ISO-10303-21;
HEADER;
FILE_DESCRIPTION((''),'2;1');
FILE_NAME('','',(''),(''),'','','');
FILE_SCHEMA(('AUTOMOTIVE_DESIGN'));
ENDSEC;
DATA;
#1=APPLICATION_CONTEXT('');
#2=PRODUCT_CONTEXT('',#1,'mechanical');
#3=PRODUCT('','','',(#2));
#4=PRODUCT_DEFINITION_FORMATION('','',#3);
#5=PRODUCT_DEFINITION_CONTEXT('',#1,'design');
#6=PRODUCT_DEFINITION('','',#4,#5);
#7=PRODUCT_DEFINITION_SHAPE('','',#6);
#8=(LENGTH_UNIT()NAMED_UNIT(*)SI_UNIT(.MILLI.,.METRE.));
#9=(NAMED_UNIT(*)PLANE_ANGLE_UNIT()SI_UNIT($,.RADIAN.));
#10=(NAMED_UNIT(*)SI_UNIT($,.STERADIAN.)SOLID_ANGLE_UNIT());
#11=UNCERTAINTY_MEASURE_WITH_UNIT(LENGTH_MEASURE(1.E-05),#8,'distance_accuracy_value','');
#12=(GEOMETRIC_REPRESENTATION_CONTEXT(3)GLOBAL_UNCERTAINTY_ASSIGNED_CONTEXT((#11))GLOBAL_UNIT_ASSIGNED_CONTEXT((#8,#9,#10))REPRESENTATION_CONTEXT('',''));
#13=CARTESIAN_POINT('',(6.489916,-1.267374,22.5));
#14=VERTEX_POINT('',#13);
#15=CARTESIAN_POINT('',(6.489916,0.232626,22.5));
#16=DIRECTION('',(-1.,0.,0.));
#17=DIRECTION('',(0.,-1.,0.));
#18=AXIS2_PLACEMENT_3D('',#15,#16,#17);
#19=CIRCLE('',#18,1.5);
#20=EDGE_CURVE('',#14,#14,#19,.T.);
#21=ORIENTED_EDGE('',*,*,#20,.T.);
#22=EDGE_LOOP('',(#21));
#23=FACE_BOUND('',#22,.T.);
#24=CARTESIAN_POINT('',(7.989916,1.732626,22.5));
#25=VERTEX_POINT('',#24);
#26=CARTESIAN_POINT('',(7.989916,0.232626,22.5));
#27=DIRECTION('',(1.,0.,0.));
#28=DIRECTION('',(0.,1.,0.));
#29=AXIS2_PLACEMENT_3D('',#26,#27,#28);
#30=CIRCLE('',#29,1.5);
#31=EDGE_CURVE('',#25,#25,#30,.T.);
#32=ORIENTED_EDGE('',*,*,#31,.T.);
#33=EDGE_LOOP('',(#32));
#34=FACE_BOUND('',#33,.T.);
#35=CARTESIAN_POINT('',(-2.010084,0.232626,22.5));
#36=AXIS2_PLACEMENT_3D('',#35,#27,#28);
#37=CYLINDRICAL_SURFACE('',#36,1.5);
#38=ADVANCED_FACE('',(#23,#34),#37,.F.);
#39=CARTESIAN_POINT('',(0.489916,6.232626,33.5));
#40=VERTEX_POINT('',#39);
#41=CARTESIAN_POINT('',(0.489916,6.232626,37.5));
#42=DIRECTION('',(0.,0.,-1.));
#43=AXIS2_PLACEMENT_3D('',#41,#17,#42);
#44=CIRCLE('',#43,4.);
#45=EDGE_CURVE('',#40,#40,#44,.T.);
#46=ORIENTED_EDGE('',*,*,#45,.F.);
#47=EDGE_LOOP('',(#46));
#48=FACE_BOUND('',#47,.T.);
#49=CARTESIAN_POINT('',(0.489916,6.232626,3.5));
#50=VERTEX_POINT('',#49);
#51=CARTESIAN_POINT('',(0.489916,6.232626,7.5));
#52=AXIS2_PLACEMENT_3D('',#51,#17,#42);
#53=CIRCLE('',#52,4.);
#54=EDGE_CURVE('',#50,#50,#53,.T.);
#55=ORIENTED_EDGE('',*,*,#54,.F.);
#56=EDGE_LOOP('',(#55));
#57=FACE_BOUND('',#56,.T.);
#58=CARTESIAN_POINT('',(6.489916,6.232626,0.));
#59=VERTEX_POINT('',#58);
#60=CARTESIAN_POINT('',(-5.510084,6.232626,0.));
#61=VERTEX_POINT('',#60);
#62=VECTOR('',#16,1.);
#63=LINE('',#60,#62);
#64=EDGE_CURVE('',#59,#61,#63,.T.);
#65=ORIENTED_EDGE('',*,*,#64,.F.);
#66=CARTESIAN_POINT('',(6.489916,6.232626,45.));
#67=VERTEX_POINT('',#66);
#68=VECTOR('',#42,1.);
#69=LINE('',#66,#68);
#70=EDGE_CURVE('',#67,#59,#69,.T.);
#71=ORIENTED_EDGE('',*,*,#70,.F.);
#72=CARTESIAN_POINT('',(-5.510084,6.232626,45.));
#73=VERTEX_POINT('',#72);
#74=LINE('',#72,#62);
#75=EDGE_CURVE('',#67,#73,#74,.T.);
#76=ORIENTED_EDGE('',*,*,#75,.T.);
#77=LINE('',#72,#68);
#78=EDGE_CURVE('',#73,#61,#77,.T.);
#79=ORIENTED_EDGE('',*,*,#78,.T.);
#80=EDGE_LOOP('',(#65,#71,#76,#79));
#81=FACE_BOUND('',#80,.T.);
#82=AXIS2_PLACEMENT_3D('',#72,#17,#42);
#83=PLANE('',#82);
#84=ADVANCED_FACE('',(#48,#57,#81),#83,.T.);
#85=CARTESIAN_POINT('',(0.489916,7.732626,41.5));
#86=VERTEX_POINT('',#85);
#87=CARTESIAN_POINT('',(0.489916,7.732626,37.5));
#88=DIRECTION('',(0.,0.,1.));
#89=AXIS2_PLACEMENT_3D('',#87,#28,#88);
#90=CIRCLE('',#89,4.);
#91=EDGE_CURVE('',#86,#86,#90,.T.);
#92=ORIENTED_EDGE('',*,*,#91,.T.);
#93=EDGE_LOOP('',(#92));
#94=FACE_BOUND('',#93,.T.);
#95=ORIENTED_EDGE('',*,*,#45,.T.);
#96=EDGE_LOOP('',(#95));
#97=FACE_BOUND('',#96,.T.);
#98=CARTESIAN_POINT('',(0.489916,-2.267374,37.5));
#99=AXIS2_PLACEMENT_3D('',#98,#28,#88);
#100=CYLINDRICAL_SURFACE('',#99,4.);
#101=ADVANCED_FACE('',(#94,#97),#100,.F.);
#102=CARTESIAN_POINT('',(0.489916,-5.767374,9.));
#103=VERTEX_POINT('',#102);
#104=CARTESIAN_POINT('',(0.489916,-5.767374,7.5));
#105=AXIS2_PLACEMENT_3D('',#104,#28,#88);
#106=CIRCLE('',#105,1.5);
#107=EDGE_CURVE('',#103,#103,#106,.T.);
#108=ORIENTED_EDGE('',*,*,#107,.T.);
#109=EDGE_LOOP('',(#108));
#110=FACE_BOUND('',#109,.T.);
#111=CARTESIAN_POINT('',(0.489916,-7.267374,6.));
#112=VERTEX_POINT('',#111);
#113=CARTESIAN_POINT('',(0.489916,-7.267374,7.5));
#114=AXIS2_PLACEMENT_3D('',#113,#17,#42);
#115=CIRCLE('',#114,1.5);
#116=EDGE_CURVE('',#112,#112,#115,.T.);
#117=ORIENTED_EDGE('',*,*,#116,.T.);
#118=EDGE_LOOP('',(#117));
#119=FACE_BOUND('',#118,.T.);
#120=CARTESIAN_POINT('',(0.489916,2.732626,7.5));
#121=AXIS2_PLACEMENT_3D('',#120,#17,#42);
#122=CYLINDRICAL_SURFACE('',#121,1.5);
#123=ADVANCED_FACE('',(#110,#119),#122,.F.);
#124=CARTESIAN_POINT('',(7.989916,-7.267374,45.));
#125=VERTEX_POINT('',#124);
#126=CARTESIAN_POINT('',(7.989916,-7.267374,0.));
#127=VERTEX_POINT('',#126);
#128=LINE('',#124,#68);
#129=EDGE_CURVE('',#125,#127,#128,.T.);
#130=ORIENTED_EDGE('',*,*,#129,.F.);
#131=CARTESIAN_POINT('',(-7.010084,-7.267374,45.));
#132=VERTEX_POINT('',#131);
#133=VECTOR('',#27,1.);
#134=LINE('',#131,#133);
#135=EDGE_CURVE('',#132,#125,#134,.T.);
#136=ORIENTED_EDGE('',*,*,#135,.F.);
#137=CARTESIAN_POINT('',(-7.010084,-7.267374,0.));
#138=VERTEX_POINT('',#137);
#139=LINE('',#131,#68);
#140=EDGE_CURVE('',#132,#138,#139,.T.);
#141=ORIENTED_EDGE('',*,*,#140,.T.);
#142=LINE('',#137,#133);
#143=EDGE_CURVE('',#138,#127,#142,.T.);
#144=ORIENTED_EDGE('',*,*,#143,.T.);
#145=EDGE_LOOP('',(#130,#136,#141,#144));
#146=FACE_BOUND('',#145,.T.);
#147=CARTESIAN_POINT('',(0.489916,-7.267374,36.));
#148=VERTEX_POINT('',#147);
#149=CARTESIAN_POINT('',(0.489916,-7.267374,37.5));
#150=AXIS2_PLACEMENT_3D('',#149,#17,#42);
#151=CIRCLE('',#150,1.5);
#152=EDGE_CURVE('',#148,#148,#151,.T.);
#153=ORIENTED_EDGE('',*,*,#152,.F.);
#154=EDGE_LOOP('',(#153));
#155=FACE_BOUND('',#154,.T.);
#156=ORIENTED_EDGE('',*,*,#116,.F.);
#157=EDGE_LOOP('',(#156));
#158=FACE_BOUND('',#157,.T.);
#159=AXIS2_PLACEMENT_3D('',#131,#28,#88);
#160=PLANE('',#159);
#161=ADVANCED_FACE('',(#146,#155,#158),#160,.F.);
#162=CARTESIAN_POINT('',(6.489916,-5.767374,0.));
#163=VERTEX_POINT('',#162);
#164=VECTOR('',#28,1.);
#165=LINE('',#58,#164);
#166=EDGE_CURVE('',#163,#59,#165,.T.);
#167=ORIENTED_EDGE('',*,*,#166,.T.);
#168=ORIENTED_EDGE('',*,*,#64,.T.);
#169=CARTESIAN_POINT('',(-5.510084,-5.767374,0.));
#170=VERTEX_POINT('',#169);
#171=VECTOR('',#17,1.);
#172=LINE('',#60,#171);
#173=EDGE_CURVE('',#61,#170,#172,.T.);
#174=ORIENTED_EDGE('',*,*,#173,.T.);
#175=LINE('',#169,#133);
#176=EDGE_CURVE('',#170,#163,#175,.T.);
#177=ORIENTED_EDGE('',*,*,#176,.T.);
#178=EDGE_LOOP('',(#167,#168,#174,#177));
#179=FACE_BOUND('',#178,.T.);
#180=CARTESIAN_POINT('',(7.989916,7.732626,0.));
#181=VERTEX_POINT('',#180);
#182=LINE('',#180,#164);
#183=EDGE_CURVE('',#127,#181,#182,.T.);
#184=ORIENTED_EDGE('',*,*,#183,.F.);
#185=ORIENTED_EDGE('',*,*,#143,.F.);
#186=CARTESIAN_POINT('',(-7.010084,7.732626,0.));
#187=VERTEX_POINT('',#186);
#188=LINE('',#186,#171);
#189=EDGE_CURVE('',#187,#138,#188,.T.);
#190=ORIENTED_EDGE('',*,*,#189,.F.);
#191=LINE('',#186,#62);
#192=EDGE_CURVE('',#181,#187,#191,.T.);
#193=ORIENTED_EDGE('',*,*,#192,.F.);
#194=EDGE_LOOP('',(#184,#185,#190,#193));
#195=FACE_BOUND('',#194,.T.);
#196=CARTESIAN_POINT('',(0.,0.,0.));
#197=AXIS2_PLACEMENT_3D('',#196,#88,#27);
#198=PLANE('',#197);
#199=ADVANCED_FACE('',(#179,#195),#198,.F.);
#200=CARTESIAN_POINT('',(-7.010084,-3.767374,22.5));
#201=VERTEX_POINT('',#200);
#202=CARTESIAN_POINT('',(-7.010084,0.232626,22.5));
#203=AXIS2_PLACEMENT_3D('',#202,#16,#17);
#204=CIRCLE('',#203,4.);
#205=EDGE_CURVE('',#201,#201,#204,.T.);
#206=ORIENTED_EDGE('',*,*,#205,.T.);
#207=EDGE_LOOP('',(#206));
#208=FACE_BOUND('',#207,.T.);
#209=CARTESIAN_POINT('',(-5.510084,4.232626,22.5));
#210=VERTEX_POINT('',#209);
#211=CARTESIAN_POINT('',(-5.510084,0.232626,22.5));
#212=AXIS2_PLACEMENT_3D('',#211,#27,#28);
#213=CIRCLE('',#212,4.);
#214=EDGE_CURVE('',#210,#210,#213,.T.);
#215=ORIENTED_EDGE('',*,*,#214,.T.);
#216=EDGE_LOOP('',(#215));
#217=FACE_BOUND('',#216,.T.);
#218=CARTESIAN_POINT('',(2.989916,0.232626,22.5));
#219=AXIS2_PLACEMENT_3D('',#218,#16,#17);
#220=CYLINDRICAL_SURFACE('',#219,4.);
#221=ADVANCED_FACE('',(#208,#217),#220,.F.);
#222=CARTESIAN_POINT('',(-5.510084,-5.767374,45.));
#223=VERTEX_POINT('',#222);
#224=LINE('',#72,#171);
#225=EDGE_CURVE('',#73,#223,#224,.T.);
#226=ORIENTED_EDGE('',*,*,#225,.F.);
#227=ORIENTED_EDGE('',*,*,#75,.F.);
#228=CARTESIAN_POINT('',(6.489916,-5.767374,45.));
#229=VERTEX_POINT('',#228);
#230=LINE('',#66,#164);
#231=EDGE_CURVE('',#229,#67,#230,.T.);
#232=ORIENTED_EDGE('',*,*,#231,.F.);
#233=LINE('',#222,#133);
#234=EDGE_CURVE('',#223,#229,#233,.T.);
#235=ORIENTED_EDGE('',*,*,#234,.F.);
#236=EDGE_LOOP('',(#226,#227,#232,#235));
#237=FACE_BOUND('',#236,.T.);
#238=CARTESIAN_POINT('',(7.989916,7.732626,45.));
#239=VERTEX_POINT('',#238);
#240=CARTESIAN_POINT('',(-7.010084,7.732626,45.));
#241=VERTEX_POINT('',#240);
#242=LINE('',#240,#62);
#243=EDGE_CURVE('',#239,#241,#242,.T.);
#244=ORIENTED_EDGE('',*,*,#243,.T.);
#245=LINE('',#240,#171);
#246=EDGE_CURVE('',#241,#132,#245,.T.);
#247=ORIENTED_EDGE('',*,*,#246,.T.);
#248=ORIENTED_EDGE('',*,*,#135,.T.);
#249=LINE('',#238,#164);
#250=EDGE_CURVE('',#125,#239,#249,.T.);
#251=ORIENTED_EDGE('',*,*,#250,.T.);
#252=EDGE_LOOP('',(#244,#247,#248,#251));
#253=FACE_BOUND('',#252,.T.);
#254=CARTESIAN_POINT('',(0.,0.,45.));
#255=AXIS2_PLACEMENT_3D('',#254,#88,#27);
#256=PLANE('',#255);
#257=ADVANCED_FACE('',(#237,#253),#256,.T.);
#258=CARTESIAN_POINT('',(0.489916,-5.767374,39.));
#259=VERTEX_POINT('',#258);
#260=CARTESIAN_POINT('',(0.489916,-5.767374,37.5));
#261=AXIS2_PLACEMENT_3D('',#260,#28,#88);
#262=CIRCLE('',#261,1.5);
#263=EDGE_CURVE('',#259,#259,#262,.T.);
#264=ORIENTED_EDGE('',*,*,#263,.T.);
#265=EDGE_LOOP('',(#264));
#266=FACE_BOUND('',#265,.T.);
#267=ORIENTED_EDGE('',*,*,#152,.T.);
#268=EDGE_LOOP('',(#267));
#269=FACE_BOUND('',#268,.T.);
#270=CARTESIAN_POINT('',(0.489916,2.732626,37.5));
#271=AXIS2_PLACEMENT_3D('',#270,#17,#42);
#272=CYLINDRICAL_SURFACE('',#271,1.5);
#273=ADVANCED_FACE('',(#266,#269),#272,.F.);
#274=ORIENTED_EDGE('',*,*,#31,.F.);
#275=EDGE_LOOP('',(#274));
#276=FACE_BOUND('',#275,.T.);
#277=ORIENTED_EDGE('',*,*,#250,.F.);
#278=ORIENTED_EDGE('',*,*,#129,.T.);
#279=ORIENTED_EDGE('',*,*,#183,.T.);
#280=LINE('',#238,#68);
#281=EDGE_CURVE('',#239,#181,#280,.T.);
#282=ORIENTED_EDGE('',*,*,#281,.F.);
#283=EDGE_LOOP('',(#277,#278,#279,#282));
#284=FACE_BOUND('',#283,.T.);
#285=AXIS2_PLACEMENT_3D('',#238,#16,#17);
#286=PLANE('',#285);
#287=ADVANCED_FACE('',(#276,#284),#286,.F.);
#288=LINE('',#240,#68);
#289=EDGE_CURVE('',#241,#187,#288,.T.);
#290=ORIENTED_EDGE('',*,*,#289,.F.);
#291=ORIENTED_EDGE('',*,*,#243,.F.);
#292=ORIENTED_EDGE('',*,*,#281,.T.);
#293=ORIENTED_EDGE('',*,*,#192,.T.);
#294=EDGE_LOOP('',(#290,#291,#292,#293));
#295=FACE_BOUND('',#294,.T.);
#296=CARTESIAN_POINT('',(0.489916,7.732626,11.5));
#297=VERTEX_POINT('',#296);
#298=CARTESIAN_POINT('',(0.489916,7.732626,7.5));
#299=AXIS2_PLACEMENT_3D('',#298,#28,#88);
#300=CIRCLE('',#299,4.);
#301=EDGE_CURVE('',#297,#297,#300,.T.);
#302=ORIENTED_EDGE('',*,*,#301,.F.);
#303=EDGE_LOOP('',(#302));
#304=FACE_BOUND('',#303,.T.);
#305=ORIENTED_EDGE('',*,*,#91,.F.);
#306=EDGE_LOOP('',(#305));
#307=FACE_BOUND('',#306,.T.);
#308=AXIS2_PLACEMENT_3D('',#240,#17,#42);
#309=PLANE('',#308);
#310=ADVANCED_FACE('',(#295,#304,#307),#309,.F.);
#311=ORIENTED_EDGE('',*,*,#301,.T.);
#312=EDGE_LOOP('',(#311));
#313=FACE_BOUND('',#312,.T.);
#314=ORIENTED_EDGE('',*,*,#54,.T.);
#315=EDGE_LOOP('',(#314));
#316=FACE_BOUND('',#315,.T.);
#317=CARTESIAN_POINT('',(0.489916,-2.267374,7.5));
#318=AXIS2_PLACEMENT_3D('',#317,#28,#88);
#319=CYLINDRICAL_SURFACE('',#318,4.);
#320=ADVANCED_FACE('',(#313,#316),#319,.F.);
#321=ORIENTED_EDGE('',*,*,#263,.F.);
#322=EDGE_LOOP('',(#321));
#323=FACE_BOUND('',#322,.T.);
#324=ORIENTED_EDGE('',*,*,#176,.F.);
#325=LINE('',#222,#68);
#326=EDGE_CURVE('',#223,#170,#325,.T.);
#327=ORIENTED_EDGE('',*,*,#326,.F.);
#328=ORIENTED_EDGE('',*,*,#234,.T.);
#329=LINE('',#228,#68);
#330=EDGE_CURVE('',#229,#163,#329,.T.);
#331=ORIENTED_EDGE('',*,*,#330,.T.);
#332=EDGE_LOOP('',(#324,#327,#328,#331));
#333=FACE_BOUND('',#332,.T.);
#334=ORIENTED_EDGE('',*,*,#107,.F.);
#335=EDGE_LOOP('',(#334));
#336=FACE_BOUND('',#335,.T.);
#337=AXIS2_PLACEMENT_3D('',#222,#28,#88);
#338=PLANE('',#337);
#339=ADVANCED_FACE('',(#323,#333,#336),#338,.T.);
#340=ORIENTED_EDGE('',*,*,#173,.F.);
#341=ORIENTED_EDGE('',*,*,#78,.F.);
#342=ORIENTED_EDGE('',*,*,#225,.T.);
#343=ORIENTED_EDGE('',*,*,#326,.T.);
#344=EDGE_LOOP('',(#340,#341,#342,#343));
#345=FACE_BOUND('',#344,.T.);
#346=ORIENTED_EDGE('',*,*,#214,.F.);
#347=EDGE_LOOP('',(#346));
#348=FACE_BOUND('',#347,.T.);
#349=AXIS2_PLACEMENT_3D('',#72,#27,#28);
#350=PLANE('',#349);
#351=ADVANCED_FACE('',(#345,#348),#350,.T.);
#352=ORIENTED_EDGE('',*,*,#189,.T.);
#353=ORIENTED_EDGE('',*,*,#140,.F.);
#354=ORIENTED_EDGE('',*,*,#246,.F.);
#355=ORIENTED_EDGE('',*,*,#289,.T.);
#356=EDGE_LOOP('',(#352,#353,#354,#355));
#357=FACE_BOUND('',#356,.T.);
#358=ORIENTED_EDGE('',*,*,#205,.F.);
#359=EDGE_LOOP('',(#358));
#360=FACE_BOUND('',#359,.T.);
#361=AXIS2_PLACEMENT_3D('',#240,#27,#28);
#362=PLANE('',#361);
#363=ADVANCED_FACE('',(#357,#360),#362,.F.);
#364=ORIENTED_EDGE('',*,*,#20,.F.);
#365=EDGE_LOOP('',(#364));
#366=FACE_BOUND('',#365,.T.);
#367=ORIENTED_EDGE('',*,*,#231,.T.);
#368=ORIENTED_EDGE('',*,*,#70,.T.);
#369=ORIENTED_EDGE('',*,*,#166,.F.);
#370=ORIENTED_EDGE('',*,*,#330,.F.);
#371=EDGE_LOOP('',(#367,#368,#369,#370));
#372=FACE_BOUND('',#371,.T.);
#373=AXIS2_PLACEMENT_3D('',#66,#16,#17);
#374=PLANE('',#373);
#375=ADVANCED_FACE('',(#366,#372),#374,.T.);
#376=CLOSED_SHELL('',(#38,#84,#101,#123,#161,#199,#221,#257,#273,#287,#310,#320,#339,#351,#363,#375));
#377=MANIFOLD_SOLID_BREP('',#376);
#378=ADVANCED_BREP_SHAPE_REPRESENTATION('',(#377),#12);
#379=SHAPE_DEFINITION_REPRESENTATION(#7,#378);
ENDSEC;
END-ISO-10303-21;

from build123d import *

# Parameters (mm, degrees)
SKETCH_1_W          = 15
SKETCH_1_H          = 15
SKETCH_1_W_2        = 12
SKETCH_1_H_2        = 12
EXTRUDE_2_DEPTH     = 45
SKETCH_2_R          = 1.5
CUT_EXTRUDE_1_DEPTH = 10
SKETCH_3_R          = 1.5
CUT_EXTRUDE_2_DEPTH = 10
SKETCH_4_R          = 4
CUT_EXTRUDE_3_DEPTH = 10
SKETCH_5_R          = 4
CUT_EXTRUDE_4_DEPTH = 10


with BuildPart() as part:
    # ｽｹｯﾁ1 → ﾎﾞｽ - 押し出し2 (new body)
    with BuildSketch(Plane.XY):
        with Locations((0.489915859, 0.232626086)):
            Rectangle(SKETCH_1_W, SKETCH_1_H)
        with Locations((0.489915859, 0.232626086)):
            Rectangle(SKETCH_1_W_2, SKETCH_1_H_2, mode=Mode.SUBTRACT)
    extrude(amount=EXTRUDE_2_DEPTH)

    # ｽｹｯﾁ2 → ｶｯﾄ - 押し出し1 (cut)
    with BuildSketch(Plane(origin=(7.989915859, 0, 0), x_dir=(0, 0, -1), z_dir=(1, 0, 0))):
        with Locations((-22.5, 0.232626086)):
            Circle(SKETCH_2_R)
    extrude(amount=-CUT_EXTRUDE_1_DEPTH, mode=Mode.SUBTRACT)

    # ｽｹｯﾁ3 → ｶｯﾄ - 押し出し2 (cut)
    with BuildSketch(Plane.XZ.offset(7.267373914)):
        with Locations((0.489915859, 37.5)):
            Circle(SKETCH_3_R)
        with Locations((0.489915859, 7.5)):
            Circle(SKETCH_3_R)
    extrude(amount=-CUT_EXTRUDE_2_DEPTH, mode=Mode.SUBTRACT)

    # ｽｹｯﾁ4 → ｶｯﾄ - 押し出し3 (cut)
    with BuildSketch(Plane.ZY.offset(7.010084141)):
        with Locations((22.5, 0.232626086)):
            Circle(SKETCH_4_R)
    extrude(amount=-CUT_EXTRUDE_3_DEPTH, mode=Mode.SUBTRACT)

    # ｽｹｯﾁ5 → ｶｯﾄ - 押し出し4 (cut)
    with BuildSketch(Plane(origin=(0, 7.732626086, 0), x_dir=(1, 0, 0), z_dir=(0, 1, 0))):
        with Locations((0.489915859, -7.5)):
            Circle(SKETCH_5_R)
        with Locations((0.489915859, -37.5)):
            Circle(SKETCH_5_R)
    extrude(amount=-CUT_EXTRUDE_4_DEPTH, mode=Mode.SUBTRACT)


solid = part.part
